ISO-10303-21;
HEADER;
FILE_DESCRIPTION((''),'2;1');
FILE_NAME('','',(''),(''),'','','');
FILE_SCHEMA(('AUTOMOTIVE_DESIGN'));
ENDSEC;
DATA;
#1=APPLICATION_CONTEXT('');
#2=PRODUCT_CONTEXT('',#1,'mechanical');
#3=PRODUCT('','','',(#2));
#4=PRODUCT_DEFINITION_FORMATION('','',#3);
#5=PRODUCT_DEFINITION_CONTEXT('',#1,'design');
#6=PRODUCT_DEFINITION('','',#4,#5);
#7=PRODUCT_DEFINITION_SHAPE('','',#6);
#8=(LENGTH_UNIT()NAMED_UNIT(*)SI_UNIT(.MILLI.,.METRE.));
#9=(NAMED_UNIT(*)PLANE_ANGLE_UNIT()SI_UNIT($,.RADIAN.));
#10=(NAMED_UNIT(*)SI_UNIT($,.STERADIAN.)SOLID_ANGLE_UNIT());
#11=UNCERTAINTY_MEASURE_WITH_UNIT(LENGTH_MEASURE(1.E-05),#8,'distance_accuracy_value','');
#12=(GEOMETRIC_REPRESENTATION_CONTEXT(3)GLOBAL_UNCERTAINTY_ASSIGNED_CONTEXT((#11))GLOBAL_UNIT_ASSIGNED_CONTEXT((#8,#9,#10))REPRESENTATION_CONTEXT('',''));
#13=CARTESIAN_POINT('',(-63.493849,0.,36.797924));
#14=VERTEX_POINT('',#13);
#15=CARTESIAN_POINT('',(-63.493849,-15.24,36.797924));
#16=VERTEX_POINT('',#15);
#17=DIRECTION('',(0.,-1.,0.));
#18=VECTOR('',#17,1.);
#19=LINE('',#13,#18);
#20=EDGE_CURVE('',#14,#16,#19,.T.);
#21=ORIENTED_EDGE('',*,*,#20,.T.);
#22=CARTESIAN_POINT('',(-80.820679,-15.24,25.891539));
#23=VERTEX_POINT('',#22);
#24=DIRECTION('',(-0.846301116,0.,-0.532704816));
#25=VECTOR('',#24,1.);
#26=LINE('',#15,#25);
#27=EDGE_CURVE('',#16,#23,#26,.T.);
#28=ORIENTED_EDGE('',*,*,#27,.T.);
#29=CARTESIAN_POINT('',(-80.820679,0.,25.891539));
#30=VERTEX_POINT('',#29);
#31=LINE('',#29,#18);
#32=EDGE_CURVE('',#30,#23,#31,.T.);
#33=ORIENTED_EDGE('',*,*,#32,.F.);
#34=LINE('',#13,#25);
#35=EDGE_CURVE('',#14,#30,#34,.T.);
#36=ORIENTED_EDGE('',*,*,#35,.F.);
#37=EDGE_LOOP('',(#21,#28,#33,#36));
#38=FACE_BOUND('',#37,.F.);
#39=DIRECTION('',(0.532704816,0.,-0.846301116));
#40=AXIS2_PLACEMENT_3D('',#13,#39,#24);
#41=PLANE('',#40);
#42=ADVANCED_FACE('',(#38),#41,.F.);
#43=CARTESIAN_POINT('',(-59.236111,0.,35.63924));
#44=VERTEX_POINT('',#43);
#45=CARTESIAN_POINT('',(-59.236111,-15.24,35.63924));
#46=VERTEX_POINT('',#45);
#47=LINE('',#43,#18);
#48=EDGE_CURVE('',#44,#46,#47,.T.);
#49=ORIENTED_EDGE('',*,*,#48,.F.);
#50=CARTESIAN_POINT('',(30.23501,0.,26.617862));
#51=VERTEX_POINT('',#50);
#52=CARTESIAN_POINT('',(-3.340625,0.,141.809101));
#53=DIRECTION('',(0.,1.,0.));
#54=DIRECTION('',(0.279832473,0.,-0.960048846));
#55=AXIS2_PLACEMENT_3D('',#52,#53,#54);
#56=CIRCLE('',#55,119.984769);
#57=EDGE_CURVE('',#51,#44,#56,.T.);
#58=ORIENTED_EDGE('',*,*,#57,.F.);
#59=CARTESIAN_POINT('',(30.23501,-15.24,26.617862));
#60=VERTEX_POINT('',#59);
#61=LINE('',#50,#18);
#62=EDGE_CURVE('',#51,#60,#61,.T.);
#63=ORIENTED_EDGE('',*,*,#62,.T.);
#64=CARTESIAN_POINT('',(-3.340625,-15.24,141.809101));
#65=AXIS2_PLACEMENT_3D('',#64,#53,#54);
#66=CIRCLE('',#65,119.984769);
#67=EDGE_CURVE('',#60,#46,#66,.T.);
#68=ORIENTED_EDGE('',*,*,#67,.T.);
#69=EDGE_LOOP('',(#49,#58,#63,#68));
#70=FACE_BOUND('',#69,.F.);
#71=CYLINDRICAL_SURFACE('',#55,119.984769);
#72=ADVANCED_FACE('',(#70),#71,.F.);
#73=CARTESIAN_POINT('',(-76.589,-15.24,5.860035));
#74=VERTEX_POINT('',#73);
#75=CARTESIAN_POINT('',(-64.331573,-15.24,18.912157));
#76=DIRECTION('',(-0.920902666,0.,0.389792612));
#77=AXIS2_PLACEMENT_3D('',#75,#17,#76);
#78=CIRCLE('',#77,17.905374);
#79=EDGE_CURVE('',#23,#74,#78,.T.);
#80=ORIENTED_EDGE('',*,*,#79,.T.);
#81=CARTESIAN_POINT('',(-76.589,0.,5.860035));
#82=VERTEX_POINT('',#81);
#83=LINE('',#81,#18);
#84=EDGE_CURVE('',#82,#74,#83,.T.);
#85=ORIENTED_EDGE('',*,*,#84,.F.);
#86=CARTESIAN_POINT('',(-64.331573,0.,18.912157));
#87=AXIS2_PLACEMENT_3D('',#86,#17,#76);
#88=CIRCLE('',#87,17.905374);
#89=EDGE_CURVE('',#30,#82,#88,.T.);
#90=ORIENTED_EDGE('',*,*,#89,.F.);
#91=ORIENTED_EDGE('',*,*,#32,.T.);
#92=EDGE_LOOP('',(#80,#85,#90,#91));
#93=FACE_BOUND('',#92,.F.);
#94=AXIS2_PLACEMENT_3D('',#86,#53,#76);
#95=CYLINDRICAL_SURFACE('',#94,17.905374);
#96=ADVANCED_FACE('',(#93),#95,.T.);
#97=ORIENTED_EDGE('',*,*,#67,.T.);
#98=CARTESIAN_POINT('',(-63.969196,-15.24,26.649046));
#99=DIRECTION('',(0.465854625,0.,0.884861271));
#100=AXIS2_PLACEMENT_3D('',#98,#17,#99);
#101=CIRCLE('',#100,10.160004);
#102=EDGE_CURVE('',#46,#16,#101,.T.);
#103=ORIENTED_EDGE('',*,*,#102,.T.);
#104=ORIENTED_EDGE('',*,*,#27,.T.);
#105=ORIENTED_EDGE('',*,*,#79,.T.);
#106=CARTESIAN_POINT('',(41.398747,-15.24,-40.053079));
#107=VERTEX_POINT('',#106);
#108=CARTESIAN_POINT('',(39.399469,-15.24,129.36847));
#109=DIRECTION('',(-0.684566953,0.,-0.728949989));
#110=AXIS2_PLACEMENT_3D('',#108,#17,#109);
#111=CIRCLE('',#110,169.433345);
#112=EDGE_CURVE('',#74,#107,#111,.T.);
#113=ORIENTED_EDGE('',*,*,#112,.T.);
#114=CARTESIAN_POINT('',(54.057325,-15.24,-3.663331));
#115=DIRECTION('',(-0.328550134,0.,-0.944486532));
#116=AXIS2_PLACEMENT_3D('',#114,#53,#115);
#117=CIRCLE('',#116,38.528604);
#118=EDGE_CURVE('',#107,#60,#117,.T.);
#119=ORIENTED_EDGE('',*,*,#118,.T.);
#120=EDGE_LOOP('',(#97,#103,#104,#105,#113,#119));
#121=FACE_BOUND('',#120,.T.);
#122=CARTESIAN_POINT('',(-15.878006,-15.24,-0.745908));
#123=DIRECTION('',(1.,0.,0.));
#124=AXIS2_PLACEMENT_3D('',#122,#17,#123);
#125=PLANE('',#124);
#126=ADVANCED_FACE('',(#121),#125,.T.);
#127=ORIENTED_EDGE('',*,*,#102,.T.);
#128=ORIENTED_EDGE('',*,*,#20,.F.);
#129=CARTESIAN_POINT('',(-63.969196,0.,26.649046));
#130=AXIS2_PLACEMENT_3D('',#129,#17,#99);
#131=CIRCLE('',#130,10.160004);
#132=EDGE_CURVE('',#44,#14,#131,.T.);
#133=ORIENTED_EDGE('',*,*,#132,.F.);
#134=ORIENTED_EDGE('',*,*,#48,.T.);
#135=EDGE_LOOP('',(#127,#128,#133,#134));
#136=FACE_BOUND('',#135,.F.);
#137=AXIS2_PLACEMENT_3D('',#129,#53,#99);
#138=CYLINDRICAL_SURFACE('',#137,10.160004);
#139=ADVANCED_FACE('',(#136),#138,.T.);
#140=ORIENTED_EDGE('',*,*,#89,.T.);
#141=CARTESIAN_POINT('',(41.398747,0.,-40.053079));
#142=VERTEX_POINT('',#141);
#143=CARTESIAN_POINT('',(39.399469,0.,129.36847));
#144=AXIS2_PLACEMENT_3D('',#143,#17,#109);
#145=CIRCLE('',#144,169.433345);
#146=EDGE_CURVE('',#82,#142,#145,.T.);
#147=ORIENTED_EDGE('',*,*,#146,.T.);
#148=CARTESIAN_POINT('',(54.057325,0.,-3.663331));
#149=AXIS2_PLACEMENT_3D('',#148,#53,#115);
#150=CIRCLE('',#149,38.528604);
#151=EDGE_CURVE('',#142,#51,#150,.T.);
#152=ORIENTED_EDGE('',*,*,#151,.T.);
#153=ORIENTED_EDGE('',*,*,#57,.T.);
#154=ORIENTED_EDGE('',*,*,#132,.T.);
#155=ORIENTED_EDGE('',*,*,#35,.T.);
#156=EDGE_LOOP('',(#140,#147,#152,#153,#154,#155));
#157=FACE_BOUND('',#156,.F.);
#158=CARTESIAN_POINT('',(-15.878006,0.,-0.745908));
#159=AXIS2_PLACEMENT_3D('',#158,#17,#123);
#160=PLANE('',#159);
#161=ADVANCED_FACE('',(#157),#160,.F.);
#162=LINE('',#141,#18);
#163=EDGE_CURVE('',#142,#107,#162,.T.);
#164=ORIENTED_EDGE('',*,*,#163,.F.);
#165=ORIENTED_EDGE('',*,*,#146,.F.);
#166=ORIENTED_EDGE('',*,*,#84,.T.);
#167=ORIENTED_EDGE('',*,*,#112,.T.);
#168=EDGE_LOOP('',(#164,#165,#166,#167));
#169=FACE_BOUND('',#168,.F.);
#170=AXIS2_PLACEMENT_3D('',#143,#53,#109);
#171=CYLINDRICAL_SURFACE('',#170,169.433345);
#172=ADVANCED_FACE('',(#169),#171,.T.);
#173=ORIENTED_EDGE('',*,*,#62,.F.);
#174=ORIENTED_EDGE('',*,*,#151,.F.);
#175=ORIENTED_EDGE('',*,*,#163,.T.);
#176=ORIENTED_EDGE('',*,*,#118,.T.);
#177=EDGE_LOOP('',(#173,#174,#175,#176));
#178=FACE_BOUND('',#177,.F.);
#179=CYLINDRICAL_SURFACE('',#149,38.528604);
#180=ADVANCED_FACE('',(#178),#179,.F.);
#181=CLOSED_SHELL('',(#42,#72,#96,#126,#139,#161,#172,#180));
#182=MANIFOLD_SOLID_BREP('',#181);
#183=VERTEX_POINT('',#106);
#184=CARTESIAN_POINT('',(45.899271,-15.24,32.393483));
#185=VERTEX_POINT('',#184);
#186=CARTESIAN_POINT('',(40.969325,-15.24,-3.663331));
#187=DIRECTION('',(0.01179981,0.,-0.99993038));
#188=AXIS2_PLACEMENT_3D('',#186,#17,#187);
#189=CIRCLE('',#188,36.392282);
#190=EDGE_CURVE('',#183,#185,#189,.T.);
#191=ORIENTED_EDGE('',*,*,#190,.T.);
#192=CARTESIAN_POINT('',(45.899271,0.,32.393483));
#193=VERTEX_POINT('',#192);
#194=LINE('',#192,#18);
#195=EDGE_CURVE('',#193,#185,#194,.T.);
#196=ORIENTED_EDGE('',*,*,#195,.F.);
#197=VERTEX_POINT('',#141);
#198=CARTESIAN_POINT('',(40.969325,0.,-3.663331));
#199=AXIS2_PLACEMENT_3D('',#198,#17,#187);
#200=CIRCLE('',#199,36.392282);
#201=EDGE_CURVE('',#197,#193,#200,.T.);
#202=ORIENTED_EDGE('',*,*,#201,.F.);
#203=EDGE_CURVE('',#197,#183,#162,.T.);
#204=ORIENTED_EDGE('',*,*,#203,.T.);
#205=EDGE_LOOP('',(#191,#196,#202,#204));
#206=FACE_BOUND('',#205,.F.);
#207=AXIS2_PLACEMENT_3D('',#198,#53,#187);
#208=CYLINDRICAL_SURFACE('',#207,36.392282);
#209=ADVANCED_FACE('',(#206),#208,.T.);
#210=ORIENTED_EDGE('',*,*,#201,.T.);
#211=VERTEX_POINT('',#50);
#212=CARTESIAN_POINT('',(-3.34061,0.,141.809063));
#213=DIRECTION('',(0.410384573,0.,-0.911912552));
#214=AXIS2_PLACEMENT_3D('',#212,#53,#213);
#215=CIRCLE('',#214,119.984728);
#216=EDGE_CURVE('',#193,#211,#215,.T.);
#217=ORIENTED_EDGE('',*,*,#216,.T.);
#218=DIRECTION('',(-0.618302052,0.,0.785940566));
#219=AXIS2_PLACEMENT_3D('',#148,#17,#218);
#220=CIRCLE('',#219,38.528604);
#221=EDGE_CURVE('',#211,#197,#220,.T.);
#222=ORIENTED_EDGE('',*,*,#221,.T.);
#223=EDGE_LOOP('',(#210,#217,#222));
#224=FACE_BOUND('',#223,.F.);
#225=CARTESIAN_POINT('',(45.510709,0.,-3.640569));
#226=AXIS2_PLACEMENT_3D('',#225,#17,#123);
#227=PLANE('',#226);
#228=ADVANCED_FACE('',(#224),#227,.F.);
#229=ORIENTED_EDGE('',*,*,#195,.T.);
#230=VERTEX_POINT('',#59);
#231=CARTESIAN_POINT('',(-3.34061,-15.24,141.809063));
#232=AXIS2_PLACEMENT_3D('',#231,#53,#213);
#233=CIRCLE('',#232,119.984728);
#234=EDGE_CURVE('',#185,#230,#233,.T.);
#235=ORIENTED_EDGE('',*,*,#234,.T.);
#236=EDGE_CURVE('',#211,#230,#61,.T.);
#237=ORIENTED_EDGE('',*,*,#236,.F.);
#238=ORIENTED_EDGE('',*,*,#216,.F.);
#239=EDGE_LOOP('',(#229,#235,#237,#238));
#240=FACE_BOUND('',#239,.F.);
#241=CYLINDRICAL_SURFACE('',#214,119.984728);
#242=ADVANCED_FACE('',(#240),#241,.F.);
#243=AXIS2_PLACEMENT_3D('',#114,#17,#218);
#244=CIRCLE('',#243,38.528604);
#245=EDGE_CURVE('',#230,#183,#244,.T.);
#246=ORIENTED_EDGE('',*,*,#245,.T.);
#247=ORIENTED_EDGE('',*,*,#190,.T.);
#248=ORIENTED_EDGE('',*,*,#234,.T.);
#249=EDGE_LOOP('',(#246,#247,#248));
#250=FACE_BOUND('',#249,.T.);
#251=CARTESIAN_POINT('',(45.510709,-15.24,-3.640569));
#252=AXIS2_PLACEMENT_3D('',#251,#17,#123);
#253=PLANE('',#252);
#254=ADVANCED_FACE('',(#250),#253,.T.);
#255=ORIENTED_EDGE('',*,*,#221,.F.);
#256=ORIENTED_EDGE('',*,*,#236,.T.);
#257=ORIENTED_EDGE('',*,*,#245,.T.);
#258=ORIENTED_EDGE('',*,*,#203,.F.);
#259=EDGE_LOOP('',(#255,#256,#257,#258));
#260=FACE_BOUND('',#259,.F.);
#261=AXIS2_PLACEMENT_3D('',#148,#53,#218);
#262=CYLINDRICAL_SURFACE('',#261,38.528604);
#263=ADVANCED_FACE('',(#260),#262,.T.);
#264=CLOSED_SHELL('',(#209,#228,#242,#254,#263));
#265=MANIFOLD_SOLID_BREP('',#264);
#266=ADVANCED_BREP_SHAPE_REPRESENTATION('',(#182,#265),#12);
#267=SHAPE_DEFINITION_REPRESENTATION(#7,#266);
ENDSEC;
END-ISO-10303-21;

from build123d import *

# Parameters (mm, degrees)
F1_DEPTH = 15.24
F2_DEPTH = 15.24


with BuildPart() as f1:
    # F0 (on Front) → F1 (new body)
    with BuildSketch(Plane.XZ):
        with BuildLine():
            Line((-63.493849, 36.797924), (-80.820679, 25.891539))
            ThreePointArc((-80.820679, 25.891539), (-81.850308, 15.211303), (-76.589, 5.860035))
            ThreePointArc((-76.589, 5.860035), (-22.044712, -28.53109), (41.398747, -40.053079))
            ThreePointArc((41.398747, -40.053079), (16.057753, -10.026182), (30.23501, 26.617862))
            ThreePointArc((30.23501, 26.617862), (-15.377662, 22.429645), (-59.236111, 35.63924))
            ThreePointArc((-59.236111, 35.63924), (-61.301317, 36.45252), (-63.493849, 36.797924))
        make_face()
    extrude(amount=F1_DEPTH)


with BuildPart() as f2:
    # F0 (on Front) → F2 (new body)
    with BuildSketch(Plane.XZ):
        with BuildLine():
            ThreePointArc((30.23501, 26.617862), (16.057753, -10.026182), (41.398747, -40.053079))
            ThreePointArc((41.398747, -40.053079), (77.291588, -5.919742), (45.899271, 32.393483))
            ThreePointArc((45.899271, 32.393483), (38.167717, 29.232894), (30.23501, 26.617862))
        make_face()
    extrude(amount=F2_DEPTH)


solid = Compound([f1.part, f2.part])
